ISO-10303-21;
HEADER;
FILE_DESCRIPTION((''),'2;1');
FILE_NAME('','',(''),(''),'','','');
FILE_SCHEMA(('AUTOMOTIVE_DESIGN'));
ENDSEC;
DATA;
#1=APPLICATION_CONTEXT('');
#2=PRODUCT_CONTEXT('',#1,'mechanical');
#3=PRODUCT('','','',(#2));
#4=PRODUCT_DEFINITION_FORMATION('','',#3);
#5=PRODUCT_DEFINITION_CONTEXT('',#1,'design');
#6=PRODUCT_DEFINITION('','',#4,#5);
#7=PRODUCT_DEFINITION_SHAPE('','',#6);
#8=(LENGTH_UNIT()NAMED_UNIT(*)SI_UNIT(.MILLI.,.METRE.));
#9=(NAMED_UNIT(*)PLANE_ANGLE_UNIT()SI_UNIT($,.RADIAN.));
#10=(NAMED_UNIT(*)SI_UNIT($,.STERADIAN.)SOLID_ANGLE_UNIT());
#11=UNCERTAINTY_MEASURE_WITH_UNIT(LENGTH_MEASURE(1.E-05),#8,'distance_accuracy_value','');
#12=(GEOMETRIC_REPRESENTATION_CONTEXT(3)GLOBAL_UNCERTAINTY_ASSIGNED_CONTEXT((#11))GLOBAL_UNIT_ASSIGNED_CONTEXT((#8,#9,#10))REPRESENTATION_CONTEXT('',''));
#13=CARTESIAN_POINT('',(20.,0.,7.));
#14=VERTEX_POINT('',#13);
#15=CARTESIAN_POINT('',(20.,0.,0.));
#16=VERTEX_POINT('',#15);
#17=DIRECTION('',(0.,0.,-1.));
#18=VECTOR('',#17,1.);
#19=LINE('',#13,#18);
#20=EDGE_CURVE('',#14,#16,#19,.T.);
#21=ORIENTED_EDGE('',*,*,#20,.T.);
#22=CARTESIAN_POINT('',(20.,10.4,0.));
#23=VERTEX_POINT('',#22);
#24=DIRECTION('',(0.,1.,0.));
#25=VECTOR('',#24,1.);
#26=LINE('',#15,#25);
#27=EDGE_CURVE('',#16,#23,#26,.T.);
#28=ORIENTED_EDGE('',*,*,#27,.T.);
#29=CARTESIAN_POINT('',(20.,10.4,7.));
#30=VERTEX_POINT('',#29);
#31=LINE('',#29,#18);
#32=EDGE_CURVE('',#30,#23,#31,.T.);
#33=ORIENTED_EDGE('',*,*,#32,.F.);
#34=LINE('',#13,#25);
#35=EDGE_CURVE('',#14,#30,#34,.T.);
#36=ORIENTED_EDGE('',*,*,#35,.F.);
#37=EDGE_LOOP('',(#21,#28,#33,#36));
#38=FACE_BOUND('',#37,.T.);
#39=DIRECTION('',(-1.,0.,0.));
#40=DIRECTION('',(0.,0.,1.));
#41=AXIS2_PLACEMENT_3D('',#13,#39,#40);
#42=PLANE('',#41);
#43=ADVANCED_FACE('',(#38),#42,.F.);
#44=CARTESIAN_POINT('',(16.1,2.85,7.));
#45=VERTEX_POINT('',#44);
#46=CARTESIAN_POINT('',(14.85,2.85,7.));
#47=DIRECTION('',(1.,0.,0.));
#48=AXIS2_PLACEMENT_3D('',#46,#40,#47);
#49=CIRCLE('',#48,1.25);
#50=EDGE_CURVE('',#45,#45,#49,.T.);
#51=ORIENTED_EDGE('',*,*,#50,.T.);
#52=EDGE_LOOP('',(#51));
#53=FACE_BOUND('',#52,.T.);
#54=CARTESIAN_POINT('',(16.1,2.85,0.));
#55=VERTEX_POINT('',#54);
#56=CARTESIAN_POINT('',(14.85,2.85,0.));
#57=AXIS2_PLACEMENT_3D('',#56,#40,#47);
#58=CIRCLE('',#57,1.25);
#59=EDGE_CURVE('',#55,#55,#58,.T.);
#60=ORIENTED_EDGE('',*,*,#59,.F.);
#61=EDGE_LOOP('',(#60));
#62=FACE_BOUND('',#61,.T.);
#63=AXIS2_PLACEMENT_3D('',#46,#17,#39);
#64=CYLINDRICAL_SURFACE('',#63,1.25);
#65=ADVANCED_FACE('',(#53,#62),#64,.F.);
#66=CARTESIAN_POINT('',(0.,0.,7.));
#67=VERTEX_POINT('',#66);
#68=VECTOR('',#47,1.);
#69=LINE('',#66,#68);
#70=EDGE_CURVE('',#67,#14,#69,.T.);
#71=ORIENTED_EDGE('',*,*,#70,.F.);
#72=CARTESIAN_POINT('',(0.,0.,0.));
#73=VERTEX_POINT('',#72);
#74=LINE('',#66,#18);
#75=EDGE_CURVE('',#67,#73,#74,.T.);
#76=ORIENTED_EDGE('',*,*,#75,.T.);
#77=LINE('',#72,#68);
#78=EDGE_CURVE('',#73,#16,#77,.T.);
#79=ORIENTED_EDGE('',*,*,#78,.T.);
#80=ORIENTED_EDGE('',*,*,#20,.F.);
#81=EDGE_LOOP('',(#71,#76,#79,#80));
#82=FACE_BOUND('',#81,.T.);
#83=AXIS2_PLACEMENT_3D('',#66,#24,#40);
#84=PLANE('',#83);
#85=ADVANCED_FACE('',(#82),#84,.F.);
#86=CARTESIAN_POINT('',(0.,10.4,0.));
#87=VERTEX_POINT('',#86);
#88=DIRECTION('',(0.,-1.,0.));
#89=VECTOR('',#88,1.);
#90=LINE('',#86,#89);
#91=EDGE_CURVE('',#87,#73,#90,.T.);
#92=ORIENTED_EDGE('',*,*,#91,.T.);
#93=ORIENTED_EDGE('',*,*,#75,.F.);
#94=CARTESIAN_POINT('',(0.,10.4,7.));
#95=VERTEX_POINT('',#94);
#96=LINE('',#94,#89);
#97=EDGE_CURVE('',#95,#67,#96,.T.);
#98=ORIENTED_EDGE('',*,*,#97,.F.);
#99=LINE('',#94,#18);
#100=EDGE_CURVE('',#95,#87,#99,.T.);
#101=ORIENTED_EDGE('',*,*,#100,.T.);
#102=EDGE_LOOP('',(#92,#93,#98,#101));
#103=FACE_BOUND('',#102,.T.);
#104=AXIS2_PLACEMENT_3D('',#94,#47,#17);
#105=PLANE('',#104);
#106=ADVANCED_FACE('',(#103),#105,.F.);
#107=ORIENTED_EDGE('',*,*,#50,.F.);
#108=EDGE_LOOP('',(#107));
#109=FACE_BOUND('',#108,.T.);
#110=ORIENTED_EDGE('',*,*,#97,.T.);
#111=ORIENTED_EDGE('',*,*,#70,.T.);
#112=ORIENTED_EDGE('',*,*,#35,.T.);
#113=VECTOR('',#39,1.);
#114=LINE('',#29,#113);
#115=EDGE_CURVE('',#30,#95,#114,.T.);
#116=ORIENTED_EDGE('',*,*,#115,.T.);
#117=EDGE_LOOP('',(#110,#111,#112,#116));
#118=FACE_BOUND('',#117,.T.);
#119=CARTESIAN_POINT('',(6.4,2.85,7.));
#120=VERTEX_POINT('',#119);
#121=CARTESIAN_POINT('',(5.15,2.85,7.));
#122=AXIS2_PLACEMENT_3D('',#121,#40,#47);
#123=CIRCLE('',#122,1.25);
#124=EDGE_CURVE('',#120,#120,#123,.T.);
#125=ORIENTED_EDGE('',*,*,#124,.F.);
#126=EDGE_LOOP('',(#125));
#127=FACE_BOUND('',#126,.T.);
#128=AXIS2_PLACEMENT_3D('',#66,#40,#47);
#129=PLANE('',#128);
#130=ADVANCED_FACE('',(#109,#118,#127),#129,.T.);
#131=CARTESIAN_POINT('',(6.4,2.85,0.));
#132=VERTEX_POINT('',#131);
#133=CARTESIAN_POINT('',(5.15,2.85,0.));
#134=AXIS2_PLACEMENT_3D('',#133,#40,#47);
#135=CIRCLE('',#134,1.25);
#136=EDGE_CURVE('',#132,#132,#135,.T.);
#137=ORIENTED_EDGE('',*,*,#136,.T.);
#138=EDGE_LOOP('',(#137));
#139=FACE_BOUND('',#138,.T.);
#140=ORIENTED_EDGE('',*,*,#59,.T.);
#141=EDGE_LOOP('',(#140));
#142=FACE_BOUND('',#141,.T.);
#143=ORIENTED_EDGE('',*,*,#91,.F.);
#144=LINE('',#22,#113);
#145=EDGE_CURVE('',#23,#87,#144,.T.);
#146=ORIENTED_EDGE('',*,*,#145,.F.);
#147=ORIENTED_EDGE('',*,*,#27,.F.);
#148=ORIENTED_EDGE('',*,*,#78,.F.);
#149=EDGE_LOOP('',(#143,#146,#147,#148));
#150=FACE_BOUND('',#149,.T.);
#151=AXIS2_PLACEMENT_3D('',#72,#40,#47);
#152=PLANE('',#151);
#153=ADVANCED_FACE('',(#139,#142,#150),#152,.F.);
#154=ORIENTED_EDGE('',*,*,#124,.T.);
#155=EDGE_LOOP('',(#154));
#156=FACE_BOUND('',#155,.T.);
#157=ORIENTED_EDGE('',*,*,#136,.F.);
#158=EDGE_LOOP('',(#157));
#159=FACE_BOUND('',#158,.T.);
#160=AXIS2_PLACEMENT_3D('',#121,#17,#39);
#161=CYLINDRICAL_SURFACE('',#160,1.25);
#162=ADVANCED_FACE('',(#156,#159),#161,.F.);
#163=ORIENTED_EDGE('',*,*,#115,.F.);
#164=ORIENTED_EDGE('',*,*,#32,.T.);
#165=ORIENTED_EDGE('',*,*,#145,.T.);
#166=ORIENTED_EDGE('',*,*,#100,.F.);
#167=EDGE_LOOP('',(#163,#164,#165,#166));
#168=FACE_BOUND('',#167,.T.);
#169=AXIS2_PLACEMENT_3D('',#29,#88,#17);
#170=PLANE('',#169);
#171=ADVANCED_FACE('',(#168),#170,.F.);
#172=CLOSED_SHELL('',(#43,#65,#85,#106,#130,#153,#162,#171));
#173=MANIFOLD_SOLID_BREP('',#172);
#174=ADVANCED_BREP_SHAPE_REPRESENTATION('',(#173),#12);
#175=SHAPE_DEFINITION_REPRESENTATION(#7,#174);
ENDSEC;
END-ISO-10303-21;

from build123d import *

# Parameters (mm, degrees)
SKETCH_1_W      = 20
SKETCH_1_H      = 10.4
SKETCH_1_R      = 1.25
EXTRUDE_1_DEPTH = 7


with BuildPart() as part:
    # 草图1 → 凸台-拉伸1 (new body)
    with BuildSketch(Plane.XY):
        with Locations((10, 5.2)):
            Rectangle(SKETCH_1_W, SKETCH_1_H)
        with Locations((5.15, 2.85)):
            Circle(SKETCH_1_R, mode=Mode.SUBTRACT)
        with Locations((14.85, 2.85)):
            Circle(SKETCH_1_R, mode=Mode.SUBTRACT)
    extrude(amount=EXTRUDE_1_DEPTH)


solid = part.part
